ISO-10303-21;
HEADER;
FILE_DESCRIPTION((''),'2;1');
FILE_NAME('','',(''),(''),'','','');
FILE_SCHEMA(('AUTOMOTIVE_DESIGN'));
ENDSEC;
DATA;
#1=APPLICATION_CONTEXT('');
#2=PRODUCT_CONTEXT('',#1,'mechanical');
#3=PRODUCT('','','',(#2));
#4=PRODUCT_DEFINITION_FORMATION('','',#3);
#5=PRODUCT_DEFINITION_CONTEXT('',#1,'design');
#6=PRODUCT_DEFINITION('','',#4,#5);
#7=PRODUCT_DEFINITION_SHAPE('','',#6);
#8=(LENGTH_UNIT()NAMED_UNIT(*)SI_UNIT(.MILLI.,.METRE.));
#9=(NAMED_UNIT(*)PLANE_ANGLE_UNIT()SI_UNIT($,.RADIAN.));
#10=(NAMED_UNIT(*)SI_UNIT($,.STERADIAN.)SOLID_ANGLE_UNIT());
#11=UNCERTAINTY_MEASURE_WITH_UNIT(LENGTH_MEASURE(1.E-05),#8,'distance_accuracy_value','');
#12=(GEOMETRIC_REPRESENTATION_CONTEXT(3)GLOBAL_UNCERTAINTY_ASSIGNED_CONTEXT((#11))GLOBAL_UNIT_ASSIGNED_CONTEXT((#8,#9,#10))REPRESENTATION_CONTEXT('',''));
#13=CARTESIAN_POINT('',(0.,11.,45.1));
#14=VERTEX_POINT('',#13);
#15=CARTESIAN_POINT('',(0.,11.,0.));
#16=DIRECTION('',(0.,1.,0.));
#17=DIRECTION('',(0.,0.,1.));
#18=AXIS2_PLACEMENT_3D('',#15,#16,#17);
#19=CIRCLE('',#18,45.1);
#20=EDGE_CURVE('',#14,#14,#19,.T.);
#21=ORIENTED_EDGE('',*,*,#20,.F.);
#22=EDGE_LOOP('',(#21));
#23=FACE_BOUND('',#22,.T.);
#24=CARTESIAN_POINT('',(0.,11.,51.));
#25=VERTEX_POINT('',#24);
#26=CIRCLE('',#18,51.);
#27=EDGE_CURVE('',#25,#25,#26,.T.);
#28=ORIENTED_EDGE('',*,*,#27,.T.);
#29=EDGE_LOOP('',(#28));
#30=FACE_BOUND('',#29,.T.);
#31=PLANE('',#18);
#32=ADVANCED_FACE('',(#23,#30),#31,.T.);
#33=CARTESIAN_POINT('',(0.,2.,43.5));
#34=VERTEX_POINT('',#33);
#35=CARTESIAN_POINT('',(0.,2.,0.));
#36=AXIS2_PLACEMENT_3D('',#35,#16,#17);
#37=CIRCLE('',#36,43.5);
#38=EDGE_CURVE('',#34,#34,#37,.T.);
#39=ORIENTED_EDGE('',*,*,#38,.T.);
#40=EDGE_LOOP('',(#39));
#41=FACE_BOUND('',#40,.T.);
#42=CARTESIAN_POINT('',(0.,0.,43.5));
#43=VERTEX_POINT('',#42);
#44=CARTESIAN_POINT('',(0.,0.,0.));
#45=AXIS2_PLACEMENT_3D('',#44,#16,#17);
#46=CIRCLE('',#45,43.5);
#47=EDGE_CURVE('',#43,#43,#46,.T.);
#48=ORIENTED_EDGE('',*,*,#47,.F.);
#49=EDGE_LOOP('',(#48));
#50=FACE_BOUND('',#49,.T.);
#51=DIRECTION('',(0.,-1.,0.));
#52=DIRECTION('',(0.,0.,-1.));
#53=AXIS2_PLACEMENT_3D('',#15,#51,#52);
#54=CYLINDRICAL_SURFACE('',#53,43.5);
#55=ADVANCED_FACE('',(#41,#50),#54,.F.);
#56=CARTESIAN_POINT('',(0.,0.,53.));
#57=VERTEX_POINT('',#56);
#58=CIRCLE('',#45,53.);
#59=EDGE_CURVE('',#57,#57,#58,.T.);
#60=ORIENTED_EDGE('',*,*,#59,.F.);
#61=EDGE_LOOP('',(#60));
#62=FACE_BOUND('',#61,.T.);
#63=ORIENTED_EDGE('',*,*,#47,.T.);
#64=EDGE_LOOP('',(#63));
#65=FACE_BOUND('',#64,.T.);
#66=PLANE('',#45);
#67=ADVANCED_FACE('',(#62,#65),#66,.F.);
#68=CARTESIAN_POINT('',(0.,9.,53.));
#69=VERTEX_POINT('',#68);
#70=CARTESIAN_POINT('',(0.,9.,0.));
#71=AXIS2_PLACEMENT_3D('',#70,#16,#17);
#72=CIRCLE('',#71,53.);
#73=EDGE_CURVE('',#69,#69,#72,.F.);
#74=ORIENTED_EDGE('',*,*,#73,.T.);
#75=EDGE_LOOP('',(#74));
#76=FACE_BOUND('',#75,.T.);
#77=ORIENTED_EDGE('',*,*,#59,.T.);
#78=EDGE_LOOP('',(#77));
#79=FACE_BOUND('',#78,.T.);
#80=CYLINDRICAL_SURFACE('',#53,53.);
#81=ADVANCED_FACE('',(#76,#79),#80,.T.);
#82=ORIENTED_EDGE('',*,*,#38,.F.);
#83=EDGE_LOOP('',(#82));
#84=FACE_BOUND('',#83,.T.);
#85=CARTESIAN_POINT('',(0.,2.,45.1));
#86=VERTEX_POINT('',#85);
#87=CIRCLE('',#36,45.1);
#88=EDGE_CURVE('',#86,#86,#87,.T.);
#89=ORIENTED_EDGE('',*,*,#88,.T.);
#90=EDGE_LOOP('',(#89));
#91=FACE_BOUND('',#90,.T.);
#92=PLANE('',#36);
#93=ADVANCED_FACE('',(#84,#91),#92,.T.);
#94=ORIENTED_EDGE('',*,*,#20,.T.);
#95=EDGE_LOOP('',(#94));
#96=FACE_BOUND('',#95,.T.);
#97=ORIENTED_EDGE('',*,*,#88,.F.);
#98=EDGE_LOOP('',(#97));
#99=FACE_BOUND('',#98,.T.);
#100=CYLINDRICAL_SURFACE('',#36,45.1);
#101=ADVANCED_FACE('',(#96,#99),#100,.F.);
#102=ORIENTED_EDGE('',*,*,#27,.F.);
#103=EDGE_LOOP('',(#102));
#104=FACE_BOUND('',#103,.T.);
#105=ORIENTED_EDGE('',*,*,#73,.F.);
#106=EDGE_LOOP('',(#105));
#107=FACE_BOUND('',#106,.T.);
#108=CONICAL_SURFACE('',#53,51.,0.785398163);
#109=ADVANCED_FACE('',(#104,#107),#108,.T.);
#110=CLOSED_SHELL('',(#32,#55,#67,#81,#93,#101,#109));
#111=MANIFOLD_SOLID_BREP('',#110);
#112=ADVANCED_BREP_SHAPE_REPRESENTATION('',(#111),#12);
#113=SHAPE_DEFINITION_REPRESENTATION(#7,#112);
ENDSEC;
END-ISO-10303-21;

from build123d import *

# Parameters (mm, degrees)
SKETCH1_R           = 53
SKETCH1_R_2         = 43.5
BOSS_EXTRUDE1_DEPTH = 11
SKETCH2_R           = 45.1
CUT_EXTRUDE1_DEPTH  = 9
CHAMFER1_SIZE       = 2


with BuildPart() as part:
    # Sketch1 → Boss-Extrude1 (new body)
    with BuildSketch(Plane(origin=(0, 0, 0), x_dir=(1, 0, 0), z_dir=(0, 1, 0))):
        with Locations(Location((0, 0, 0), (0, 0, 270))):
            Circle(SKETCH1_R)
        with Locations(Location((0, 0, 0), (0, 0, 270))):
            Circle(SKETCH1_R_2, mode=Mode.SUBTRACT)
    extrude(amount=BOSS_EXTRUDE1_DEPTH)

    # Sketch2 → Cut-Extrude1 (cut)
    with BuildSketch(Plane(origin=(0, 11, 0), x_dir=(1, 0, 0), z_dir=(0, 1, 0))):
        with Locations(Location((0, 0, 0), (0, 0, 270))):
            Circle(SKETCH2_R)
    extrude(amount=-CUT_EXTRUDE1_DEPTH, mode=Mode.SUBTRACT)

    # Chamfer1
    chamfer1_edges = [part.edges().sort_by_distance(p)[0] for p in [
        (0, 11, -53),
    ]]
    chamfer(chamfer1_edges, length=CHAMFER1_SIZE)


solid = part.part
